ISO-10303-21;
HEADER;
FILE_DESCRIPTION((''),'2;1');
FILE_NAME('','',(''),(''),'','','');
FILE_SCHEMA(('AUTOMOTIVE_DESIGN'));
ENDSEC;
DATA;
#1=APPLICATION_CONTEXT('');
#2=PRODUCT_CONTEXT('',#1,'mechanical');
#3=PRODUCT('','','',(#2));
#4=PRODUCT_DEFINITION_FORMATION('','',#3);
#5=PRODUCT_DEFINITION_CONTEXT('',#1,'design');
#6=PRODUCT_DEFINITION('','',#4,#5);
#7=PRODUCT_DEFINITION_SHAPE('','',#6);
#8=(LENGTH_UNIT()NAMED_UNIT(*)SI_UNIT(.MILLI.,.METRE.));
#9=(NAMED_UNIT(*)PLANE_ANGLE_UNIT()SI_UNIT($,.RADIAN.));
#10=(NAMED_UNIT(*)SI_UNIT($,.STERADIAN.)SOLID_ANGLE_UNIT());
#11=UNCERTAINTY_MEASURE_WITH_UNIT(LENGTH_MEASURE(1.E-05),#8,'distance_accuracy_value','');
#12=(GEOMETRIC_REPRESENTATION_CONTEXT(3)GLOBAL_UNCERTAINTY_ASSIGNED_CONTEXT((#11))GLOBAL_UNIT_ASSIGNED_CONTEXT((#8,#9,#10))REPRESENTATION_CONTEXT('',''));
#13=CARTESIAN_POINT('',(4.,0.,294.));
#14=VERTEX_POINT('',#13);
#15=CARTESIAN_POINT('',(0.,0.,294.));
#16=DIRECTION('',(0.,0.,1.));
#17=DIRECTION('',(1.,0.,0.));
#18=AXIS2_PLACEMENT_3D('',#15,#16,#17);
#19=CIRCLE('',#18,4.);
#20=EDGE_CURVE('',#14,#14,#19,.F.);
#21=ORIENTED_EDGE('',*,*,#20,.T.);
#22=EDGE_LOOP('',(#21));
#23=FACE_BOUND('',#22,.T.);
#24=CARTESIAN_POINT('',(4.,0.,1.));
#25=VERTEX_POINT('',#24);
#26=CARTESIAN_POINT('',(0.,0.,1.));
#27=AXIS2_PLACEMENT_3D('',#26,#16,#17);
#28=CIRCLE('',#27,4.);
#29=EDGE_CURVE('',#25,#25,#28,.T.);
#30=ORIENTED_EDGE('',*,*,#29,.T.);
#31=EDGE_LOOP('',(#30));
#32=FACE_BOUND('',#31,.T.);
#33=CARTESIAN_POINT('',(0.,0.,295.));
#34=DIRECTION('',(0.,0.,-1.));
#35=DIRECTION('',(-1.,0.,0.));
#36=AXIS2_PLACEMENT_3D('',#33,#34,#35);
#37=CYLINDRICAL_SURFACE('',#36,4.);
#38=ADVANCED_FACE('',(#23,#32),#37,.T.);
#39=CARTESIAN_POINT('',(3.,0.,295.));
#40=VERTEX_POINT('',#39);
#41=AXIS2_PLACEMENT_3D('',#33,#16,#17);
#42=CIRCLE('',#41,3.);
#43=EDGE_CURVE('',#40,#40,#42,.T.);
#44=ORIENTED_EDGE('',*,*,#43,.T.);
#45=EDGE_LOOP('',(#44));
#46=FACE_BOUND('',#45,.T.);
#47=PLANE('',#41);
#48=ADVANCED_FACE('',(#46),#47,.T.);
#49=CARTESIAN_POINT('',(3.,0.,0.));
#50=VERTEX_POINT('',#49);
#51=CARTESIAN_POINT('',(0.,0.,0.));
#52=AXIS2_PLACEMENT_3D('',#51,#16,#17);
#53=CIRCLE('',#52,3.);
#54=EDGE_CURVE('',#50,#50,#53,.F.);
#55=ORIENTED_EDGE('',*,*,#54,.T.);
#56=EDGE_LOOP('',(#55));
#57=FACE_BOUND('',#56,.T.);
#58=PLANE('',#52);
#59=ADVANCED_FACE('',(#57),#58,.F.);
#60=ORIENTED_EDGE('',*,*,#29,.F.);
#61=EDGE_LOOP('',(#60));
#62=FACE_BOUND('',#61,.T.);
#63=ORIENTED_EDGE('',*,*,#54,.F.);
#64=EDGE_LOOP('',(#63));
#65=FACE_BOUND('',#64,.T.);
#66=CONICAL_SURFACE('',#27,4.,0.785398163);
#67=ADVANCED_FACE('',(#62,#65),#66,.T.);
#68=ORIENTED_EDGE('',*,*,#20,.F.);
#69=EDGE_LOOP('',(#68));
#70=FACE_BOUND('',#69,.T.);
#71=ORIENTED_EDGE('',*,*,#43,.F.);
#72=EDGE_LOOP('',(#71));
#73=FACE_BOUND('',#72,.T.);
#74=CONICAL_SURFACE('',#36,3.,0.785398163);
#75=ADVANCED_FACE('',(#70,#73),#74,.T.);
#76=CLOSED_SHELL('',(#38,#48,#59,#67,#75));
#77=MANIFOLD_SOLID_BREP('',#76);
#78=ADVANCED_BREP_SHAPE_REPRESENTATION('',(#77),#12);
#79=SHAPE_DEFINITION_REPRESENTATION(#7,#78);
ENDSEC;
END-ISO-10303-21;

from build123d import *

# Parameters (mm, degrees)
SKETCH1_R           = 4
BOSS_EXTRUDE1_DEPTH = 295
CHAMFER1_SIZE       = 1


with BuildPart() as part:
    # Sketch1 → Boss-Extrude1 (new body)
    with BuildSketch(Plane.XY):
        Circle(SKETCH1_R)
    extrude(amount=BOSS_EXTRUDE1_DEPTH)

    # Chamfer1
    chamfer1_edges = [part.edges().sort_by_distance(p)[0] for p in [
        (-4, 0, 0),
        (-4, 0, 295),
    ]]
    chamfer(chamfer1_edges, length=CHAMFER1_SIZE)


solid = part.part
